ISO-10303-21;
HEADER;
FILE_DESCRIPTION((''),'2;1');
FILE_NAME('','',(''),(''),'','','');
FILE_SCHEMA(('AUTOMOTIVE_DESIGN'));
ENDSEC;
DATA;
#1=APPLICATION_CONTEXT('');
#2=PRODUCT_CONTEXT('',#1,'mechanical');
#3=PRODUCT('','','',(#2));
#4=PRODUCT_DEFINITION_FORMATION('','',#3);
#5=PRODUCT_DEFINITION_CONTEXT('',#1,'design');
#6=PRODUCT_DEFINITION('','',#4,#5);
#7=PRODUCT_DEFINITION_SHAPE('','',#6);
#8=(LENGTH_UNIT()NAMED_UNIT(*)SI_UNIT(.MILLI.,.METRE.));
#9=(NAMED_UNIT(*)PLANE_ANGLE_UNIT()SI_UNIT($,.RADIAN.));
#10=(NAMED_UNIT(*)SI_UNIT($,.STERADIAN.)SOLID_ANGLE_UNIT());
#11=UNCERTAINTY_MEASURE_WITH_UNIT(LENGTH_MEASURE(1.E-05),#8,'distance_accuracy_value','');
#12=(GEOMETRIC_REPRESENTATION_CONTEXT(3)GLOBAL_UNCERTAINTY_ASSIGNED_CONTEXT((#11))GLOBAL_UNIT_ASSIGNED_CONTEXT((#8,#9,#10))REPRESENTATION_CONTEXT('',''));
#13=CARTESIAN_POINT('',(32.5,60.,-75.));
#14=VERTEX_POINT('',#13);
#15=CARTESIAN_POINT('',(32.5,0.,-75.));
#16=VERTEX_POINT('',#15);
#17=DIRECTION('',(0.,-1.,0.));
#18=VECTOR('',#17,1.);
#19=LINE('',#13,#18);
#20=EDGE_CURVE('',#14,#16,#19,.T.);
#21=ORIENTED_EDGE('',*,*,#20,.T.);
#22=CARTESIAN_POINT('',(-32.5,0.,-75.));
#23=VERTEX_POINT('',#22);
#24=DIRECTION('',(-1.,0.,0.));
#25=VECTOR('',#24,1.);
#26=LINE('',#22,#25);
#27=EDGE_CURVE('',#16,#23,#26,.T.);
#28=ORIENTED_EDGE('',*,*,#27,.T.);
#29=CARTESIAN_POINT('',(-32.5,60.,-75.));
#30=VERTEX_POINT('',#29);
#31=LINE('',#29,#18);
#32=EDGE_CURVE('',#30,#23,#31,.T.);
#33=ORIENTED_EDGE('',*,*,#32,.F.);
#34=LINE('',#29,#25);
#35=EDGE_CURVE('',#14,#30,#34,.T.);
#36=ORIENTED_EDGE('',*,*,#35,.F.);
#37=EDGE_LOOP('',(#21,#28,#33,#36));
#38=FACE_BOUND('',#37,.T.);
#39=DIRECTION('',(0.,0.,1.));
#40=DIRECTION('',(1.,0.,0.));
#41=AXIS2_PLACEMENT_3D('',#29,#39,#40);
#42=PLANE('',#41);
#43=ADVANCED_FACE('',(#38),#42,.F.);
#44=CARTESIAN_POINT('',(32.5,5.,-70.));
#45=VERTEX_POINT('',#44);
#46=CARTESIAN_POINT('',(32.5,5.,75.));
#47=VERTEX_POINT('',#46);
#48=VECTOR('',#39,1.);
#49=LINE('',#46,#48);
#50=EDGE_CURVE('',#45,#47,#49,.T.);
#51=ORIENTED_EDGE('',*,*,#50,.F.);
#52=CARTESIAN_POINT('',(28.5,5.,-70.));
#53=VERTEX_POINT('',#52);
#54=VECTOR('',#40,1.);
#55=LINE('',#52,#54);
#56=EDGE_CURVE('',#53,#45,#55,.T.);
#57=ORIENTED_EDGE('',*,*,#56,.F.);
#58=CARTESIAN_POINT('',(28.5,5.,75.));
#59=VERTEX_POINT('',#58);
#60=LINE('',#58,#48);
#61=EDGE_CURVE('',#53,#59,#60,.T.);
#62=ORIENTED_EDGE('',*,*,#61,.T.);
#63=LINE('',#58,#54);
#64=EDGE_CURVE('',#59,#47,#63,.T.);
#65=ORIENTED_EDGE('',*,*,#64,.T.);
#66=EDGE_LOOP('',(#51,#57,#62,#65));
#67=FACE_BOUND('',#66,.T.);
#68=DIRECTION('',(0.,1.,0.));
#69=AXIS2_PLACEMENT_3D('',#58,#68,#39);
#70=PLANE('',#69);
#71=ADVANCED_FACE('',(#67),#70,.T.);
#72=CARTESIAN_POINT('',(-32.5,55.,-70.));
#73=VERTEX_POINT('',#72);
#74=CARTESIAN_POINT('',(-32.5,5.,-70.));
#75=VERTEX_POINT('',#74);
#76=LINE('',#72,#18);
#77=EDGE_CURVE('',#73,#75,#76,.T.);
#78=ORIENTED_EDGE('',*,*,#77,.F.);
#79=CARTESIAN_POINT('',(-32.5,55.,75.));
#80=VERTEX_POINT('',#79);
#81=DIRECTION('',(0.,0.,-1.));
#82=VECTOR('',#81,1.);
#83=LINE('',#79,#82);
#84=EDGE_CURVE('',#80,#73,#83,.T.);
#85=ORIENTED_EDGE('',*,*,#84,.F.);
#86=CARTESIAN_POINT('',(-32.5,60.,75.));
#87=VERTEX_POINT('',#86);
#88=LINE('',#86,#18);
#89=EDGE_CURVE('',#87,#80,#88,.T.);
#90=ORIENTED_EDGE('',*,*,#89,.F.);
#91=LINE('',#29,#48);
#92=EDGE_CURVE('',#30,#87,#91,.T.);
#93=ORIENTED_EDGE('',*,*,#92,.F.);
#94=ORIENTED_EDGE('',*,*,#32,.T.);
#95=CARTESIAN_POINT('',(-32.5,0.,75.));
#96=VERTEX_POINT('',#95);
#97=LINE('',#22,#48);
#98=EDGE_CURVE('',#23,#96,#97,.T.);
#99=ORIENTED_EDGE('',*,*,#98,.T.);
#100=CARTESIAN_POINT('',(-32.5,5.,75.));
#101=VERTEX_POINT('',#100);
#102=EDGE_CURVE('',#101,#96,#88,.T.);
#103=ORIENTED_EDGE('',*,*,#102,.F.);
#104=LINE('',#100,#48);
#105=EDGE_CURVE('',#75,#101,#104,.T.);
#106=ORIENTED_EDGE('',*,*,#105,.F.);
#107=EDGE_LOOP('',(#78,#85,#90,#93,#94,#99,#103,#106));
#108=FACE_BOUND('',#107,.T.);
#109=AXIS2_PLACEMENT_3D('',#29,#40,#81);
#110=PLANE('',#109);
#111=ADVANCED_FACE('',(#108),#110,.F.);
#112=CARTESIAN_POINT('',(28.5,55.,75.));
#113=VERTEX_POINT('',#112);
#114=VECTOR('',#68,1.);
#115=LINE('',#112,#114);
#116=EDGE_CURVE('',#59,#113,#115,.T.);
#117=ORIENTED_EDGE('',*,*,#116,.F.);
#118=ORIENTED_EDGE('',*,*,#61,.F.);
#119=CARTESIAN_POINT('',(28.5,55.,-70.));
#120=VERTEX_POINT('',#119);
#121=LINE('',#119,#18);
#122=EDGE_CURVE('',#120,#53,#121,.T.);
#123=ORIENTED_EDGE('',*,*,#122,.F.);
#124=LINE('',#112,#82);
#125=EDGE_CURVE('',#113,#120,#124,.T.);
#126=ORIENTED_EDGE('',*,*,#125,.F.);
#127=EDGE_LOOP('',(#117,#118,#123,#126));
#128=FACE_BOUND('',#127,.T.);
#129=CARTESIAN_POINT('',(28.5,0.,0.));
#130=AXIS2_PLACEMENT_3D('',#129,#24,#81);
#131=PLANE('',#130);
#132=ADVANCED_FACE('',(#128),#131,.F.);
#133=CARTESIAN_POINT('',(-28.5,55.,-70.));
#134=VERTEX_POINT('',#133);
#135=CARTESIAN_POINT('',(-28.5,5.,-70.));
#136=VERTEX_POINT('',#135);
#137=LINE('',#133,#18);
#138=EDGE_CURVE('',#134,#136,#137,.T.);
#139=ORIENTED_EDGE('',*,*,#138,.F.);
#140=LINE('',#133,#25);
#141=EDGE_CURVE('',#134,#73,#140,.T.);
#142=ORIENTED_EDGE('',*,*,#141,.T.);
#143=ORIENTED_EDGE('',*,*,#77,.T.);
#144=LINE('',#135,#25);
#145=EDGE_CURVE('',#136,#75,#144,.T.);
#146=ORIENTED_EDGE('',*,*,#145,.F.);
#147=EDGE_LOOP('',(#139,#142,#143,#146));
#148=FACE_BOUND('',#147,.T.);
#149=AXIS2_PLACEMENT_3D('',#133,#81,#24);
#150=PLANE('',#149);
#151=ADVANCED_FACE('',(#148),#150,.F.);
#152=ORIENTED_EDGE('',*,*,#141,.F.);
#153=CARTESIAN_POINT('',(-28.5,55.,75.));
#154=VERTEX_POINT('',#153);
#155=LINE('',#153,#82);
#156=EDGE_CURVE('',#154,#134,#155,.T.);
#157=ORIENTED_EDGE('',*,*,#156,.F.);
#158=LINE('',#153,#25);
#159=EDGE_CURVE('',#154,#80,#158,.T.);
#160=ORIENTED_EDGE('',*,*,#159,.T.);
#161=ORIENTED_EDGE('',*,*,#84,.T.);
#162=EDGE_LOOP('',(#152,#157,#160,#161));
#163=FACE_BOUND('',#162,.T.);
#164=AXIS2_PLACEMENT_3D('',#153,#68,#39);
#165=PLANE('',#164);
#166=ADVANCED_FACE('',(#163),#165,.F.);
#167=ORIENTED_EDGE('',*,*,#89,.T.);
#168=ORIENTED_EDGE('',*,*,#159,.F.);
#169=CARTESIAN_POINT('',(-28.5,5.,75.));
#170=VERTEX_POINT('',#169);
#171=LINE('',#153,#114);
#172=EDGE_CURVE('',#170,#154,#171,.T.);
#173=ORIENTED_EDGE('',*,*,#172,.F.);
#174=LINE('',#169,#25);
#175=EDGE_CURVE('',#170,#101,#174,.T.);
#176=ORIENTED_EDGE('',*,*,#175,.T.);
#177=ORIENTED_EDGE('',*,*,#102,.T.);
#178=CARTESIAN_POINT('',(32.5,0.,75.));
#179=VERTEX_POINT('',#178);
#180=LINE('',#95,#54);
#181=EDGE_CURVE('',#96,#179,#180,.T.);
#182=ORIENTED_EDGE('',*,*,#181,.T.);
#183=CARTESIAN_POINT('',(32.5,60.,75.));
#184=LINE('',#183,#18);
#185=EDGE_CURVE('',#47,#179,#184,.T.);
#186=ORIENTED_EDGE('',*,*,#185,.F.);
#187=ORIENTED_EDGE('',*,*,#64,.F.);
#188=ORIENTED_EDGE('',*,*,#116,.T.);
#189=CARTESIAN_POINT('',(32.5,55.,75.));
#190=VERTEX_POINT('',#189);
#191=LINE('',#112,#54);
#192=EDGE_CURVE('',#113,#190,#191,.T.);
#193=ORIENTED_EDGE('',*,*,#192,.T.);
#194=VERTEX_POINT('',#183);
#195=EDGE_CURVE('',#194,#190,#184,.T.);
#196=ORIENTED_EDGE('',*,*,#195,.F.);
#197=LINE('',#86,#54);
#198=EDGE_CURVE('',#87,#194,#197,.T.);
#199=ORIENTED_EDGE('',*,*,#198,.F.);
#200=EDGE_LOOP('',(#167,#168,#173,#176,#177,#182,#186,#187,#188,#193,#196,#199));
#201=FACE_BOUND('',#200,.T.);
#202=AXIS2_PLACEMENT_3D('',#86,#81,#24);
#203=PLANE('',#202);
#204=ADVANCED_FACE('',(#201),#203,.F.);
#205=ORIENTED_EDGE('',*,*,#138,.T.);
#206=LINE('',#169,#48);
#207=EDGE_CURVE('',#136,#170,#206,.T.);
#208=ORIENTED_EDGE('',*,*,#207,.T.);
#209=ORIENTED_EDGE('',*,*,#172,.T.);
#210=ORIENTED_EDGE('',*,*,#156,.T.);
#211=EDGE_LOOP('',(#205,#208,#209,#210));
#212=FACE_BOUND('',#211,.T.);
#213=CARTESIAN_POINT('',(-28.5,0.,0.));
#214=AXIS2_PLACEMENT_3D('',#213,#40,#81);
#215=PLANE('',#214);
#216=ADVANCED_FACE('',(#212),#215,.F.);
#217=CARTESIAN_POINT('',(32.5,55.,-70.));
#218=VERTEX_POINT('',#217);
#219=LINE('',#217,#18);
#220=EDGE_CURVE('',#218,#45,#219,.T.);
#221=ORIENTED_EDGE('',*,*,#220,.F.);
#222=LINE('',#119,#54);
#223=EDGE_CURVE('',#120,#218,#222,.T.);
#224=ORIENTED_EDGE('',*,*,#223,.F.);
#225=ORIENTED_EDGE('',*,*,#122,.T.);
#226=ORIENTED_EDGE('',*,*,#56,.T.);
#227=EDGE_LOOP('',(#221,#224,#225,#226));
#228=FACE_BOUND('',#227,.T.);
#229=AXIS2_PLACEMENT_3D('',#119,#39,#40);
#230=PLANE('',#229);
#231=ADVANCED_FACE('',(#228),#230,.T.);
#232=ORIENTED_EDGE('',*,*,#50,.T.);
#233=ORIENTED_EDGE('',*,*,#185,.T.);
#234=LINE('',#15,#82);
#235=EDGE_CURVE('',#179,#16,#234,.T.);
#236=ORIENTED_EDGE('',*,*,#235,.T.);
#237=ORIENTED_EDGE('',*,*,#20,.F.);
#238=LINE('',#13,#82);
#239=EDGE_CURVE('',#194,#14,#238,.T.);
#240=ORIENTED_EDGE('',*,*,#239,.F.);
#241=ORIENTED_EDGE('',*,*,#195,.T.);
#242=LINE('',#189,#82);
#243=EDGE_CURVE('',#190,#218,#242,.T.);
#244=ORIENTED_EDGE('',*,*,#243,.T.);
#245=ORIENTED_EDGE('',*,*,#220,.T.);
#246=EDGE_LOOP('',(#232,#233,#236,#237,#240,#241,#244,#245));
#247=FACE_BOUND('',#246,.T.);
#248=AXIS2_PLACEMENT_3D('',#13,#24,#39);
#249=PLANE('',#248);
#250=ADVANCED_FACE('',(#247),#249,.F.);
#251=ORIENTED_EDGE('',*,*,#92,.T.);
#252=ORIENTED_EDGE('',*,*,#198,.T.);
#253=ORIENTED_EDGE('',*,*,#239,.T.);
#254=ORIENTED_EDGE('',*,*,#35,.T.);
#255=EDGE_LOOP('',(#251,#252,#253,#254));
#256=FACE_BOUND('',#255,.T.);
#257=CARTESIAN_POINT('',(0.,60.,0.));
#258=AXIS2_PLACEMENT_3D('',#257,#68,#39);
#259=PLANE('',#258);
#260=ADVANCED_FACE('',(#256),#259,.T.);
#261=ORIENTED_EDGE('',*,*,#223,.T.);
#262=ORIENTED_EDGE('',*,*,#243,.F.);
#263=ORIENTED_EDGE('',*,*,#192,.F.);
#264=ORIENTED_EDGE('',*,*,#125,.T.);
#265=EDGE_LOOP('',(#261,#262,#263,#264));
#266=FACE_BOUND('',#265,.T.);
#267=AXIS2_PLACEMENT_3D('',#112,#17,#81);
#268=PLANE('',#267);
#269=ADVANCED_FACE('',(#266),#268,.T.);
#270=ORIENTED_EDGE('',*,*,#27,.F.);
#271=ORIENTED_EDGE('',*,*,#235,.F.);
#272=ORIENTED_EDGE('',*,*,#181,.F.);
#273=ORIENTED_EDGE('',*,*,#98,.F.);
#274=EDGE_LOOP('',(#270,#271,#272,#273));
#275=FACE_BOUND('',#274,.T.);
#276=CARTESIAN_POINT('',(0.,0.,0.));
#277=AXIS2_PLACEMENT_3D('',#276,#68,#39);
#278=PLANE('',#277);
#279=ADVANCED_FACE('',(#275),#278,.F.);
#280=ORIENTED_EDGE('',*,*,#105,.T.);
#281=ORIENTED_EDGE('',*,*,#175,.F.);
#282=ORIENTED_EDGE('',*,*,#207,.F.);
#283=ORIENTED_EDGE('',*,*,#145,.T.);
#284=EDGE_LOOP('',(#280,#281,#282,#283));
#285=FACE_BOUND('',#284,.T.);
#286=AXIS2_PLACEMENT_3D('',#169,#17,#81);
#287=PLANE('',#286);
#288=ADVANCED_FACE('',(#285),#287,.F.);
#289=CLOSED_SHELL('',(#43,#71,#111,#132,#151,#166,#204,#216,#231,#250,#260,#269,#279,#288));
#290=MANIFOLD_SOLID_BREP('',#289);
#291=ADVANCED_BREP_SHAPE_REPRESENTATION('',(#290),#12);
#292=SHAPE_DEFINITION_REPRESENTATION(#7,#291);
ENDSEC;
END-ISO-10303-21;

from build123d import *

# Parameters (mm, degrees)
ESQUISSE1_W             = 65
ESQUISSE1_H             = 150
BOSS_EXTRU_1_DEPTH      = 60
ESQUISSE2_W             = 145
ESQUISSE2_H             = 50
ENL_V_MAT_EXTRU_1_DEPTH = 4


with BuildPart() as part:
    # Esquisse1 → Boss.-Extru.1 (new body)
    with BuildSketch(Plane(origin=(0, 0, 0), x_dir=(1, 0, 0), z_dir=(0, 1, 0))):
        Rectangle(ESQUISSE1_W, ESQUISSE1_H)
    extrude(amount=BOSS_EXTRU_1_DEPTH)

    # Esquisse2 → Enlèv. mat.-Extru.1 (cut)
    with BuildSketch(Plane.ZY.offset(32.5)):
        with Locations((2.5, 30)):
            Rectangle(ESQUISSE2_W, ESQUISSE2_H)
    enl_v_mat_extru_1 = extrude(amount=-ENL_V_MAT_EXTRU_1_DEPTH, mode=Mode.SUBTRACT)

    # Symétrie1: Enlèv. mat.-Extru.1 across plane
    add(enl_v_mat_extru_1.mirror(Plane(origin=(0, 0, 0), x_dir=(0, 0, 1), z_dir=(1, 0, 0))), mode=Mode.SUBTRACT)


solid = part.part
